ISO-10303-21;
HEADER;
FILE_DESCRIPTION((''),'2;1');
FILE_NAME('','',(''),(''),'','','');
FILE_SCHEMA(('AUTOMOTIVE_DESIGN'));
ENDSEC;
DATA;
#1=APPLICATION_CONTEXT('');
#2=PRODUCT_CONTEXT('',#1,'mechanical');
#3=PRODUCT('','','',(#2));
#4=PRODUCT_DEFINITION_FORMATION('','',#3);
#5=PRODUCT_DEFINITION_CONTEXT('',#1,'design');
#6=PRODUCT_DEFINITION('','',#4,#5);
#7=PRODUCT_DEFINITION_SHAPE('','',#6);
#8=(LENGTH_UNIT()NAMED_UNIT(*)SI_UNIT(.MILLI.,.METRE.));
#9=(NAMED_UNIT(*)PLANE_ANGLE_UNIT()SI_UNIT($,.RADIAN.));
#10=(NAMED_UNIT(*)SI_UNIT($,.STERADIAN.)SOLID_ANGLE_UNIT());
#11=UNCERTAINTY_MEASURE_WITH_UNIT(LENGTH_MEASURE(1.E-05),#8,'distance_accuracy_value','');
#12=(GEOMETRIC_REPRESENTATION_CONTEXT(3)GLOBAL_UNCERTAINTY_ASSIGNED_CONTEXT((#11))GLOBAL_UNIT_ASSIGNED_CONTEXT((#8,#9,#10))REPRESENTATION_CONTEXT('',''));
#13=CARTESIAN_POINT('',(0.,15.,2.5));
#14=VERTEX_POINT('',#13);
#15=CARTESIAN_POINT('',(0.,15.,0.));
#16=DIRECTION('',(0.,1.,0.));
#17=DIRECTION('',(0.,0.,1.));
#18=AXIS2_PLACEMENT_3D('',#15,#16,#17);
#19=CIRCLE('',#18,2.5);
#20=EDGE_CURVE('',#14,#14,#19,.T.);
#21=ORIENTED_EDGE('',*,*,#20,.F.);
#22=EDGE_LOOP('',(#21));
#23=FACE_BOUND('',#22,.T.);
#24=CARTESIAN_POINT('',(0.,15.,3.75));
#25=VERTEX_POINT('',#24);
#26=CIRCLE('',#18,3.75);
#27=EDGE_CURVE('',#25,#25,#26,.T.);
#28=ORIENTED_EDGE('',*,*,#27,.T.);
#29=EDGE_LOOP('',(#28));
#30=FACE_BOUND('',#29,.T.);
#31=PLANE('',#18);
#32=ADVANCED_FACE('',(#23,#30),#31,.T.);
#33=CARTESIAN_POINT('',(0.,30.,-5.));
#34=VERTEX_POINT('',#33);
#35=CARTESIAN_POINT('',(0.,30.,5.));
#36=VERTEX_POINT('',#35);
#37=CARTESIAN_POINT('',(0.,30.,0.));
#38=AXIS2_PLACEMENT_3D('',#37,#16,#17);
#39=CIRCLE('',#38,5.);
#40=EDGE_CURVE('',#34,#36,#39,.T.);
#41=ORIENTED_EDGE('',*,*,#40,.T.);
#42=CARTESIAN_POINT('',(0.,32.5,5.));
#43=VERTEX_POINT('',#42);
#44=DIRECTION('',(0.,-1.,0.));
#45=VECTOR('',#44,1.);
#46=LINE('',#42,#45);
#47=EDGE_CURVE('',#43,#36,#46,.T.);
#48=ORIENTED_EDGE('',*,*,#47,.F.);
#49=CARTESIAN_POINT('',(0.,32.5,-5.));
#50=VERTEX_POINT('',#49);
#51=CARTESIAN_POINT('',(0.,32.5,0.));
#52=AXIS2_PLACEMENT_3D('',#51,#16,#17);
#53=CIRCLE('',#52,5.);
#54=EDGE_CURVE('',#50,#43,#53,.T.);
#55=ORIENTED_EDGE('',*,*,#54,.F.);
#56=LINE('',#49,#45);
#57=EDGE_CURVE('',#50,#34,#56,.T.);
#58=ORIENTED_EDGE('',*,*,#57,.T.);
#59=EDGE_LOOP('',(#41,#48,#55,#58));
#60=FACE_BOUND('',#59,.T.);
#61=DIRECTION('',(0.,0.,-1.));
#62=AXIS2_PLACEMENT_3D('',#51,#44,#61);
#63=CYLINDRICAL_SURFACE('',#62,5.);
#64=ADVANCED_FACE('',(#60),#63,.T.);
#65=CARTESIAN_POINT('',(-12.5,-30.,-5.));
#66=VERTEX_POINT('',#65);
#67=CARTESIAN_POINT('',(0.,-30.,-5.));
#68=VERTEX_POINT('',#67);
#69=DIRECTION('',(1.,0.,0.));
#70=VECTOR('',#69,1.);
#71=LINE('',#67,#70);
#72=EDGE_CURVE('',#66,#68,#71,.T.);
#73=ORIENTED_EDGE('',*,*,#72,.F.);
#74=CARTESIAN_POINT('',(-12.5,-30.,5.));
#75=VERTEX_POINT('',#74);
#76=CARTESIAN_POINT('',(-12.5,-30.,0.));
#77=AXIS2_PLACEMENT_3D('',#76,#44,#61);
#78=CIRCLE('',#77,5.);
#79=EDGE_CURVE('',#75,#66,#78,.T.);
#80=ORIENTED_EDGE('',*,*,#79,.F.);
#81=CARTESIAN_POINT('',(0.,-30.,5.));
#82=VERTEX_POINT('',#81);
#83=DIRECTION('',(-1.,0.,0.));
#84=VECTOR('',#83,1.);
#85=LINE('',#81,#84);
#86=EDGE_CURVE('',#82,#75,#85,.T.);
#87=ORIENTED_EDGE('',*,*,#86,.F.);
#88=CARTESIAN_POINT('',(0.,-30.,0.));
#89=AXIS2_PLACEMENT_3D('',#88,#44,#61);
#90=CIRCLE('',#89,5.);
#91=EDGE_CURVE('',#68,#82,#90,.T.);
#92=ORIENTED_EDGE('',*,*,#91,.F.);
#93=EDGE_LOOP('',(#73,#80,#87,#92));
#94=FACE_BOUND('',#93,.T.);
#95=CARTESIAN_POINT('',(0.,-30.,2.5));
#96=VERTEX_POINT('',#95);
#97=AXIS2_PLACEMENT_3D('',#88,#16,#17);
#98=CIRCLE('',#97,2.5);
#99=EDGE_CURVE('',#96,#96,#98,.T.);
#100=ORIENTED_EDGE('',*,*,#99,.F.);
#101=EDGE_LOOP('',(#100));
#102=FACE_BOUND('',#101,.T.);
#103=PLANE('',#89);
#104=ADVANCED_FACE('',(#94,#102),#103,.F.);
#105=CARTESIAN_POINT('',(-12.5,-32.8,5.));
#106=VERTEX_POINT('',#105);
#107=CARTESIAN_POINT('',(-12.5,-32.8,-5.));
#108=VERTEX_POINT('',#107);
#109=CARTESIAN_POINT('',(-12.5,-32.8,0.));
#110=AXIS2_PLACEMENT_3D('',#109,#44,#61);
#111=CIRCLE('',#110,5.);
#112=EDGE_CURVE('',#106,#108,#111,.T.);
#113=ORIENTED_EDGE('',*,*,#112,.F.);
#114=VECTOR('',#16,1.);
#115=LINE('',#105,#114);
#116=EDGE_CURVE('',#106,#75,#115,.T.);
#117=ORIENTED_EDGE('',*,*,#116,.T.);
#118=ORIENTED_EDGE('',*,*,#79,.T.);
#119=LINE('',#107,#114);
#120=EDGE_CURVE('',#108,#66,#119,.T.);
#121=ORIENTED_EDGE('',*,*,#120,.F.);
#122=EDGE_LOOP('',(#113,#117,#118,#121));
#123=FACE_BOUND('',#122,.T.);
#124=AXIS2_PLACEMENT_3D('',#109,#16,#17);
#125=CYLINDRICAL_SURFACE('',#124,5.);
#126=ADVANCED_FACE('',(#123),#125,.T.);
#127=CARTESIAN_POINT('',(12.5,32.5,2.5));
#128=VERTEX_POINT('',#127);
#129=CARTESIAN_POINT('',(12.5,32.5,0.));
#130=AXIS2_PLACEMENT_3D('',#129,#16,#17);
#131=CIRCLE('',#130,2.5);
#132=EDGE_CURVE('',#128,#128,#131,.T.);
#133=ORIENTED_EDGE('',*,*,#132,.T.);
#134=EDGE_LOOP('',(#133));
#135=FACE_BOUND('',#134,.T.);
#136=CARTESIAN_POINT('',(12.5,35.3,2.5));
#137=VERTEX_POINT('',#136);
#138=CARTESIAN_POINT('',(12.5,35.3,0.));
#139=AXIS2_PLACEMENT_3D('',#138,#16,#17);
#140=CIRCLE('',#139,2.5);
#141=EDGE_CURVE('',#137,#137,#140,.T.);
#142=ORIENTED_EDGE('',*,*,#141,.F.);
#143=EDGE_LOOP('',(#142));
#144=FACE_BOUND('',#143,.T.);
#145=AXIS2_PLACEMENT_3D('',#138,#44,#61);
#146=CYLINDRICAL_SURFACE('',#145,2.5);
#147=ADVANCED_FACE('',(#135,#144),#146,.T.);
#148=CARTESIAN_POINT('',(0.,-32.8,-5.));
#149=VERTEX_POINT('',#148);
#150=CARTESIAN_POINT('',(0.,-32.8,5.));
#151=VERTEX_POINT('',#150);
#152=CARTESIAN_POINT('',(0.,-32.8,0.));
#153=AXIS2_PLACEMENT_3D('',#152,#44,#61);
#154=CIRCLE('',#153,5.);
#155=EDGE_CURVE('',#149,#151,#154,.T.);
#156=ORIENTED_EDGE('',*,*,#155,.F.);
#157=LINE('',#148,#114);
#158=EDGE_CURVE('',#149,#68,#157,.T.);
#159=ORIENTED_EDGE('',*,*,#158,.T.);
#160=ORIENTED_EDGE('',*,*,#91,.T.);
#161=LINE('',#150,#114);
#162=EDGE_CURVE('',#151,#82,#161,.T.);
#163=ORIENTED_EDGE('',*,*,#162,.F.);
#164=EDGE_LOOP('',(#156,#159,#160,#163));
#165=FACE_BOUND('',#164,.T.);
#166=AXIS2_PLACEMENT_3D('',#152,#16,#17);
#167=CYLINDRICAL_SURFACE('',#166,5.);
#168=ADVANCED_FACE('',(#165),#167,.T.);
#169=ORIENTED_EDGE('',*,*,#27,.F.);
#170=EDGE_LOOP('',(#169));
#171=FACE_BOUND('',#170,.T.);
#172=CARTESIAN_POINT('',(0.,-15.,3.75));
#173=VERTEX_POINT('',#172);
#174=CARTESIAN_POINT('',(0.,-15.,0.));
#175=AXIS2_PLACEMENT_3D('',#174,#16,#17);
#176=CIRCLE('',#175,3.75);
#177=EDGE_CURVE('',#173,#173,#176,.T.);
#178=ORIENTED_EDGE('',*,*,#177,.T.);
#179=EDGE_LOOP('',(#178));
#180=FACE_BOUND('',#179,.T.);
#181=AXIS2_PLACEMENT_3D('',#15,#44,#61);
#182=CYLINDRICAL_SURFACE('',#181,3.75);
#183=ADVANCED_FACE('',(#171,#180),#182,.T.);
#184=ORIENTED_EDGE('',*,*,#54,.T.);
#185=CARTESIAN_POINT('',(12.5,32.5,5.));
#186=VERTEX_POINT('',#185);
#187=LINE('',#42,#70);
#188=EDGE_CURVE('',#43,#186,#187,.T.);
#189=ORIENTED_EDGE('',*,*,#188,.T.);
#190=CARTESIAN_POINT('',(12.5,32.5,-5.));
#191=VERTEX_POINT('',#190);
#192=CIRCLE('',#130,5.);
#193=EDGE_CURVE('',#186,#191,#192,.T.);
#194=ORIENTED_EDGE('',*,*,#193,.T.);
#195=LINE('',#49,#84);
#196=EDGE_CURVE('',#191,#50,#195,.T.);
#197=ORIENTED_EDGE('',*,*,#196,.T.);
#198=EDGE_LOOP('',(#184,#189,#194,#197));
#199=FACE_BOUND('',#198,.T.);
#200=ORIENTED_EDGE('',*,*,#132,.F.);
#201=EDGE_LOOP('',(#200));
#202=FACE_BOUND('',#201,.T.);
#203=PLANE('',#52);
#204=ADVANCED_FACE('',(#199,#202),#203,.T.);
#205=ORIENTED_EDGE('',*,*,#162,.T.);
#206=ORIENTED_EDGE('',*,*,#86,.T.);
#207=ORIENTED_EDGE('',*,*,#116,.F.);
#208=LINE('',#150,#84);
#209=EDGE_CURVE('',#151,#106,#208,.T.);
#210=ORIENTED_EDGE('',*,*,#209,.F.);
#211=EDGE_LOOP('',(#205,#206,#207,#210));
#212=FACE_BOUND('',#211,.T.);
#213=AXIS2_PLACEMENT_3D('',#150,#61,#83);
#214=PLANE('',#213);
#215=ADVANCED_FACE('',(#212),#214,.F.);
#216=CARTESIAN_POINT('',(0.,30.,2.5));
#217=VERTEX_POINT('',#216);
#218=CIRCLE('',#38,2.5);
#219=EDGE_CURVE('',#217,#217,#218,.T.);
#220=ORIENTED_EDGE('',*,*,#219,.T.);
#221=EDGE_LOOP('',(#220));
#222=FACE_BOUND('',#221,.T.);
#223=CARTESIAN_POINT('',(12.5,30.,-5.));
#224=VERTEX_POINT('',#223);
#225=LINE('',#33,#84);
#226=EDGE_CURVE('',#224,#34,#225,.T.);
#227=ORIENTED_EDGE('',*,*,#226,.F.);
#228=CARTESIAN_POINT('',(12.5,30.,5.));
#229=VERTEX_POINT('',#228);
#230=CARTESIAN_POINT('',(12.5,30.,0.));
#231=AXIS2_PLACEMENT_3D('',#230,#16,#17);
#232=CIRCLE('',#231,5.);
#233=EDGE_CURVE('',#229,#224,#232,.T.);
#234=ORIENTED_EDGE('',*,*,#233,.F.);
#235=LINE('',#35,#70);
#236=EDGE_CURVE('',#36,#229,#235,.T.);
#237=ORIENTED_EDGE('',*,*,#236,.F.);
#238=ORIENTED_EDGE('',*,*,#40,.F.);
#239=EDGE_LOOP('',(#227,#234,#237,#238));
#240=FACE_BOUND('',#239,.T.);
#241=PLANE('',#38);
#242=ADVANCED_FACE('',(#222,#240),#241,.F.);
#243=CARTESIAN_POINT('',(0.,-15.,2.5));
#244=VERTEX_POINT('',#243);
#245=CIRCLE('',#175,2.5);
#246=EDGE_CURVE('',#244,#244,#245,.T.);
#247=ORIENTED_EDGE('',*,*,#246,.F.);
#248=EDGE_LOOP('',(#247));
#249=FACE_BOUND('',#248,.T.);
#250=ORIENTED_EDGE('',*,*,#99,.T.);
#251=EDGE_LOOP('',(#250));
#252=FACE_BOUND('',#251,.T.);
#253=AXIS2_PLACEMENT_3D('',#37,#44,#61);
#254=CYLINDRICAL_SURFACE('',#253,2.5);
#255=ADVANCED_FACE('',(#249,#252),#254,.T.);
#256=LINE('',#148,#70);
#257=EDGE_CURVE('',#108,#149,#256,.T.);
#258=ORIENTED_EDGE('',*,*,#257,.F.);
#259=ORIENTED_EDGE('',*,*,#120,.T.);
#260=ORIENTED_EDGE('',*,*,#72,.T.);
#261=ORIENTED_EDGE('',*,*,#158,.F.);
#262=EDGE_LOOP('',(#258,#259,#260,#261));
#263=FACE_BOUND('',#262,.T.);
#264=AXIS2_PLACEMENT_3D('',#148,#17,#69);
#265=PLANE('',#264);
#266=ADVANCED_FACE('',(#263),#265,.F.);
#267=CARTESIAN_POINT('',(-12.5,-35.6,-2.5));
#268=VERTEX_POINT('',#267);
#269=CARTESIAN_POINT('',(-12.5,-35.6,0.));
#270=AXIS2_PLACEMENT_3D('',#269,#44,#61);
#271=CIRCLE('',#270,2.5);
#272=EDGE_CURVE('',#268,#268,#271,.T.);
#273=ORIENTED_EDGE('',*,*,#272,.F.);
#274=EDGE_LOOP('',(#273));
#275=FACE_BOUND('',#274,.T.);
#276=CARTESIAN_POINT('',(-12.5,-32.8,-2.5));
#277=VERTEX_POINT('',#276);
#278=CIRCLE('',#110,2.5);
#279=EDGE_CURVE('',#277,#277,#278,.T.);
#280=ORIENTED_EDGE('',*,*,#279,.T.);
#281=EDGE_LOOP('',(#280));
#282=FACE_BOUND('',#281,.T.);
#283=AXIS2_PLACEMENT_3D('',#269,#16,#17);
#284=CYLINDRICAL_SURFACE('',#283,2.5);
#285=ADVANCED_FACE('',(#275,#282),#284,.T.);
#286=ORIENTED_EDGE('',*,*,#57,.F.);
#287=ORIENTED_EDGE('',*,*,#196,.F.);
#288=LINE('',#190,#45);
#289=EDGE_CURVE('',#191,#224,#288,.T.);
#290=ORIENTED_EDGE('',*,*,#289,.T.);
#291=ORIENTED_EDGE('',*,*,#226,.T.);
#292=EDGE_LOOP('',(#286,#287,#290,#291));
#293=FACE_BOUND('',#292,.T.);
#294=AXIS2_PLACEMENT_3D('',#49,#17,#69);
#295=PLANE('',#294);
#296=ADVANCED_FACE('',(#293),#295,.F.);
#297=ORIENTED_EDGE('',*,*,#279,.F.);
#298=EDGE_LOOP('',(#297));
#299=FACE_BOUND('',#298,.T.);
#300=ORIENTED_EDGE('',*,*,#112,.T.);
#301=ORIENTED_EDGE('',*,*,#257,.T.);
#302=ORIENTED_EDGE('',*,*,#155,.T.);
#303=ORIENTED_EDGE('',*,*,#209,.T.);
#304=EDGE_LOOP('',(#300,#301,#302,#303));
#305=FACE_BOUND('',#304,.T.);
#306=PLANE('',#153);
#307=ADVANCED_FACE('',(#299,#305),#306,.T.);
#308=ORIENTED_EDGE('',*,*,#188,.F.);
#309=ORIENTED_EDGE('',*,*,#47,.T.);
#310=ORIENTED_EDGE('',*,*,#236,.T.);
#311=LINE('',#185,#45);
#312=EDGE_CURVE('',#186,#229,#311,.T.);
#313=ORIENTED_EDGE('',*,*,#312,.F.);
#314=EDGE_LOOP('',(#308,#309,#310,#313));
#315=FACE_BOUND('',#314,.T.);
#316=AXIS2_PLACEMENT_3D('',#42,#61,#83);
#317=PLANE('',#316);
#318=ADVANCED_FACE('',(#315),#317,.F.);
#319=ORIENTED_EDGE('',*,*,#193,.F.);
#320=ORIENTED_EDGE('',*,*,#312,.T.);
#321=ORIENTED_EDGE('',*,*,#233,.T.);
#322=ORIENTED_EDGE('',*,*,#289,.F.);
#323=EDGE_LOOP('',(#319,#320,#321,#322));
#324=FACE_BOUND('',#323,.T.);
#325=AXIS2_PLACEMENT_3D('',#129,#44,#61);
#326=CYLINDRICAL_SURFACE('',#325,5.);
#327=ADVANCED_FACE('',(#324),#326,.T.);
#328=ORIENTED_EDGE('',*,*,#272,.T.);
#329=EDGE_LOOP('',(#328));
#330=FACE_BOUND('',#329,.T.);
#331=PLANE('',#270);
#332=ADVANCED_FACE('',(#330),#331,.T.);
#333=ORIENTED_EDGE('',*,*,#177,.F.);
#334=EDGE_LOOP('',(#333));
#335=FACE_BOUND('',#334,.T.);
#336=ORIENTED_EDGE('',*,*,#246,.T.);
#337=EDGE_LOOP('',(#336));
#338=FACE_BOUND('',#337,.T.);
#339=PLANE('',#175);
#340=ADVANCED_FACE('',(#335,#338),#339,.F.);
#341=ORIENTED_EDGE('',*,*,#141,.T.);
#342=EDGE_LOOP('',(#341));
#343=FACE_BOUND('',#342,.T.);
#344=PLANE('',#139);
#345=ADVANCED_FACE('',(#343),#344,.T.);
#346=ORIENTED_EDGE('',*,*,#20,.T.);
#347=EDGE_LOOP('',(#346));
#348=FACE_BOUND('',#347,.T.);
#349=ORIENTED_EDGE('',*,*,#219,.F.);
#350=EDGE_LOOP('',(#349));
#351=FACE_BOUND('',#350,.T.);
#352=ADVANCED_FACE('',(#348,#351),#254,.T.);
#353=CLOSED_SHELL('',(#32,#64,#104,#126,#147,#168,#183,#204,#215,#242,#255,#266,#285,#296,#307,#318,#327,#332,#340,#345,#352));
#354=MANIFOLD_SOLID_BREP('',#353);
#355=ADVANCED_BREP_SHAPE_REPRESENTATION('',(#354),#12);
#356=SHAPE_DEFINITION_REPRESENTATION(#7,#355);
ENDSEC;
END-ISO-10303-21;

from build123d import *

# Parameters (mm, degrees)
SKETCH1_R           = 2.5
BOSS_EXTRUDE1_DEPTH = 30
SKETCH6_R           = 3.75
BOSS_EXTRUDE6_DEPTH = 15
BOSS_EXTRUDE2_DEPTH = 2.5
SKETCH3_R           = 2.5
BOSS_EXTRUDE3_DEPTH = 2.8
BOSS_EXTRUDE4_START = 2.8
BOSS_EXTRUDE4_DEPTH = 2.8
SKETCH5_R           = 2.5
BOSS_EXTRUDE5_DEPTH = 2.8


with BuildPart() as part:
    # Sketch1 → Boss-Extrude1 (new, symmetric)
    with BuildSketch(Plane(origin=(0, 0, 0), x_dir=(1, 0, 0), z_dir=(0, 1, 0))):
        with Locations(Location((0, 0, 0), (0, 0, 270))):
            Circle(SKETCH1_R)
    extrude(amount=BOSS_EXTRUDE1_DEPTH, both=True)

    # Sketch6 → Boss-Extrude6 (add, symmetric)
    with BuildSketch(Plane(origin=(0, 0, 0), x_dir=(1, 0, 0), z_dir=(0, 1, 0))):
        with Locations(Location((0, 0, 0), (0, 0, 270))):
            Circle(SKETCH6_R)
    extrude(amount=BOSS_EXTRUDE6_DEPTH, both=True)

    # Sketch2 → Boss-Extrude2 (add)
    with BuildSketch(Plane(origin=(0, 30, 0), x_dir=(1, 0, 0), z_dir=(0, 1, 0))):
        with BuildLine():
            Line((0, 5), (12.5, 5))
            ThreePointArc((12.5, 5), (17.5, 0), (12.5, -5))
            Line((12.5, -5), (0, -5))
            ThreePointArc((0, -5), (-5, 0), (0, 5))
        make_face()
    extrude(amount=BOSS_EXTRUDE2_DEPTH)

    # Sketch3 → Boss-Extrude3 (add)
    with BuildSketch(Plane(origin=(0, 32.5, 0), x_dir=(1, 0, 0), z_dir=(0, 1, 0))):
        with Locations(Location((12.5, 0, 0), (0, 0, 270))):
            Circle(SKETCH3_R)
    extrude(amount=BOSS_EXTRUDE3_DEPTH)

    # Sketch4 → Boss-Extrude4 (add)
    with BuildSketch(Plane.XZ.offset(30).offset(BOSS_EXTRUDE4_START)):
        with BuildLine():
            Line((0, -5), (-12.5, -5))
            ThreePointArc((-12.5, -5), (-17.5, 0), (-12.5, 5))
            Line((-12.5, 5), (0, 5))
            ThreePointArc((0, 5), (5, 0), (0, -5))
        make_face()
    extrude(amount=-BOSS_EXTRUDE4_DEPTH)

    # Sketch5 → Boss-Extrude5 (add)
    with BuildSketch(Plane.XZ.offset(32.8)):
        with Locations(Location((-12.5, 0, 0), (0, 0, 270))):
            Circle(SKETCH5_R)
    extrude(amount=BOSS_EXTRUDE5_DEPTH)


solid = part.part
